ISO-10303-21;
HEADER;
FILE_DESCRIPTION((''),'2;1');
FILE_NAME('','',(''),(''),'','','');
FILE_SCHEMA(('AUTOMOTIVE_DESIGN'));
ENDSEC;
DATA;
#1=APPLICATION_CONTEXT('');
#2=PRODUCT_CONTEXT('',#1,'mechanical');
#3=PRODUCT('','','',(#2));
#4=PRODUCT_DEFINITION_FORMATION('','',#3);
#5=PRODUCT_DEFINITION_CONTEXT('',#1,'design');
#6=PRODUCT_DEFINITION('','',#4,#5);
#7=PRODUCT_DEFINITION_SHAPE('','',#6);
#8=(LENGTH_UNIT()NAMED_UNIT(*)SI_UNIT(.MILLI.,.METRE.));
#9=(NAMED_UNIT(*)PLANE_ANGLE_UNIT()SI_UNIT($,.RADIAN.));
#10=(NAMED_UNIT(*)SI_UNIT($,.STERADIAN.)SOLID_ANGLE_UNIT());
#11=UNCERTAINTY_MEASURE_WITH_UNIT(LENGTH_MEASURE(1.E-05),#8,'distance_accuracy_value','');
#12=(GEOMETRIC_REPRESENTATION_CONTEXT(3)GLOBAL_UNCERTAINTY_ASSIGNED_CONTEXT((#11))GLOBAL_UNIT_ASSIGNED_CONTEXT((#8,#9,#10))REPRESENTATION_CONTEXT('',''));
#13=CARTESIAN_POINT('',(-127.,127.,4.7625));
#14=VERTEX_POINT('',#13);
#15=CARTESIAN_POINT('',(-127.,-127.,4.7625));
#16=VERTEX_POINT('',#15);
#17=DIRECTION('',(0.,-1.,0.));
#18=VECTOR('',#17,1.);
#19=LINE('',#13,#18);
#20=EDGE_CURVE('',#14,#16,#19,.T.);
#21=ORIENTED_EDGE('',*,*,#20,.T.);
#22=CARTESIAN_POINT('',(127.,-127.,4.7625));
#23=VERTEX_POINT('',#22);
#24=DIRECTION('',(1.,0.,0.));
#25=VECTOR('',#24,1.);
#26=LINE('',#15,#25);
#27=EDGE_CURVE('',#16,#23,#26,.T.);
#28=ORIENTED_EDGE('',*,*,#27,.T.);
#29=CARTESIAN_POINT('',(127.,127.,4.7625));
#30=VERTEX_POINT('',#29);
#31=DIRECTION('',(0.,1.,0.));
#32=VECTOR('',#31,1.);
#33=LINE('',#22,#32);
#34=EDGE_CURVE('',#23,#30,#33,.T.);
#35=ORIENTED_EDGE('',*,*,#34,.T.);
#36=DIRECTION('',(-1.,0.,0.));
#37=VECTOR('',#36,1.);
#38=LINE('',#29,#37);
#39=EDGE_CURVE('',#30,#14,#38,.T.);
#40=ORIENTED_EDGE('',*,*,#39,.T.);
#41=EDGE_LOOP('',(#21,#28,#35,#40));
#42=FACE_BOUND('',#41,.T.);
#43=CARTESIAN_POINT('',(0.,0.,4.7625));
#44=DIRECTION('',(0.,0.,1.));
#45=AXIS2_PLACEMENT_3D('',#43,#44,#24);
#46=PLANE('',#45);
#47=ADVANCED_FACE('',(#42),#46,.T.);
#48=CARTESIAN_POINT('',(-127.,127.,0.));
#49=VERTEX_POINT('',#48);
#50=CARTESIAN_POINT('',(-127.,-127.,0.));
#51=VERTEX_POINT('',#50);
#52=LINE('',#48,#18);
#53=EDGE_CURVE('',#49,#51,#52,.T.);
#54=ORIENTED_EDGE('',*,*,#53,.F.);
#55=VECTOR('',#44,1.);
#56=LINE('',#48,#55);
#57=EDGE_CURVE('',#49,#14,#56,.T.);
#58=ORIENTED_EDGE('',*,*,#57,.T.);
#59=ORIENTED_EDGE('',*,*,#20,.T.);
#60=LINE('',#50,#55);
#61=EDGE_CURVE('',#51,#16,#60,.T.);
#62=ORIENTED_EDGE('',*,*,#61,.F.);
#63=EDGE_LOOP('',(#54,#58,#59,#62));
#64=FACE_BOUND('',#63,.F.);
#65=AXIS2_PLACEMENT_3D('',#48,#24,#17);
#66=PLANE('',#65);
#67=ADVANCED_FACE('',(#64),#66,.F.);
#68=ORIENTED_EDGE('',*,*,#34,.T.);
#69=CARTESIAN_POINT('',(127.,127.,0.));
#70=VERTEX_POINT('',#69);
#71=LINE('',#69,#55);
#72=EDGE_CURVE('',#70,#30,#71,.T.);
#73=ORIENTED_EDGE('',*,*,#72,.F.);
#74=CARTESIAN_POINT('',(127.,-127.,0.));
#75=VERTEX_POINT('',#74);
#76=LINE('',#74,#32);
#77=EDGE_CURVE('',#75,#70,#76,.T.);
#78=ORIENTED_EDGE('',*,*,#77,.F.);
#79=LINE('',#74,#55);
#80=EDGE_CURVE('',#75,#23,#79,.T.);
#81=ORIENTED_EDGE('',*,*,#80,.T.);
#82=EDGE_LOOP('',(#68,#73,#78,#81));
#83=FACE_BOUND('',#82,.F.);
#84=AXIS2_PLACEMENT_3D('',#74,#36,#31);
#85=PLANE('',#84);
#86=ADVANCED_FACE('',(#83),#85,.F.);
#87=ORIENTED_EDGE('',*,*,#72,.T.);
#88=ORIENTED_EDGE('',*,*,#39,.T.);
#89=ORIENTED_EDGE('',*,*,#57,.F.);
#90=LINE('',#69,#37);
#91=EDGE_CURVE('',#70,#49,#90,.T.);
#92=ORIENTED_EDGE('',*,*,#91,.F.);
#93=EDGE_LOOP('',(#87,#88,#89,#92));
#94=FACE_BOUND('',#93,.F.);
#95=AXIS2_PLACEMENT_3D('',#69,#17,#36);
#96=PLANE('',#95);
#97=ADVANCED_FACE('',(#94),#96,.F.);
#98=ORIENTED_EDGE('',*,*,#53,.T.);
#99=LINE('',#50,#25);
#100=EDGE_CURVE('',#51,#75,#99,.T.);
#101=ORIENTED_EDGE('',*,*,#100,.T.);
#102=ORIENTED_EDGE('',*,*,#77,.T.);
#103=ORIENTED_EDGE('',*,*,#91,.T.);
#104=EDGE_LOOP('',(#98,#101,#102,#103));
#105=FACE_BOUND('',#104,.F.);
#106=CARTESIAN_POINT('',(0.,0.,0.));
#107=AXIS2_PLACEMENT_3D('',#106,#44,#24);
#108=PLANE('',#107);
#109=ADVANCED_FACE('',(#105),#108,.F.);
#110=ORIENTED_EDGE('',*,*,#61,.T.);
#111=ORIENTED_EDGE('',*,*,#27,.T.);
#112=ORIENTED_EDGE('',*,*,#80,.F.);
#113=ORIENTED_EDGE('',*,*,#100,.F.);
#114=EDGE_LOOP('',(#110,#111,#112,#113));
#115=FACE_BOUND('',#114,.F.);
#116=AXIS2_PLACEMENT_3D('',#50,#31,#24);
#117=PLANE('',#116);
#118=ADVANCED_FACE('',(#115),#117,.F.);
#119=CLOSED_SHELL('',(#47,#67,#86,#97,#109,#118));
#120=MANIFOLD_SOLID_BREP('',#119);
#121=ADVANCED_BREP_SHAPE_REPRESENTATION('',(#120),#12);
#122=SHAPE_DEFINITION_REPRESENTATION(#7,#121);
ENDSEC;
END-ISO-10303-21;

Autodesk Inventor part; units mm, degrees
ref_plane "YZ Plane" through (0, 0, 0) normal (1, 0, 0) x (0, 1, 0)
ref_plane "XZ Plane" through (0, 0, 0) normal (0, 1, 0) x (-1, 0, 0)
ref_plane "XY Plane" through (0, 0, 0) normal (0, 0, 1) x (1, 0, 0)
sketch "Sketch1" plane through (0, 0, 0) normal (0, 0, 1) x (1, 0, 0)
  line L0 (-127, -127) -> (127, -127)
  line L1 (127, -127) -> (127, 127)
  line L2 (127, 127) -> (-127, 127)
  line L3 (-127, 127) -> (-127, -127)
  line L4 (-127, -127) -> (127, 127) construction
  line L5 (127, -127) -> (-127, 127) construction
  point P0 (0, 0)
  dimension "d0" = 254
  dimension "d1" = 254
extrude "Plate1" add sketch "Sketch1" along normal blind 4.7625
equation "\"BendRadius\" = Thickness"
equation "\"BendReliefWidth\" = Thickness"
equation "\"BendReliefDepth\" = 0.5 * Thickness"
equation "\"CornerReliefSize\" = 4 * Thickness"
equation "\"MinimumRemnant\" = 2 * Thickness"
equation "\"TransitionRadius\" = BendRadius"
equation "\"JacobiRadiusSize\" = BendRadius"
equation "\"GapSize\" = Thickness"
equation "\"d2\" = BendRadius"
equation "\"Thickness\" = 4.7625"
properties part number "Rear" material "Steel, Mild"
